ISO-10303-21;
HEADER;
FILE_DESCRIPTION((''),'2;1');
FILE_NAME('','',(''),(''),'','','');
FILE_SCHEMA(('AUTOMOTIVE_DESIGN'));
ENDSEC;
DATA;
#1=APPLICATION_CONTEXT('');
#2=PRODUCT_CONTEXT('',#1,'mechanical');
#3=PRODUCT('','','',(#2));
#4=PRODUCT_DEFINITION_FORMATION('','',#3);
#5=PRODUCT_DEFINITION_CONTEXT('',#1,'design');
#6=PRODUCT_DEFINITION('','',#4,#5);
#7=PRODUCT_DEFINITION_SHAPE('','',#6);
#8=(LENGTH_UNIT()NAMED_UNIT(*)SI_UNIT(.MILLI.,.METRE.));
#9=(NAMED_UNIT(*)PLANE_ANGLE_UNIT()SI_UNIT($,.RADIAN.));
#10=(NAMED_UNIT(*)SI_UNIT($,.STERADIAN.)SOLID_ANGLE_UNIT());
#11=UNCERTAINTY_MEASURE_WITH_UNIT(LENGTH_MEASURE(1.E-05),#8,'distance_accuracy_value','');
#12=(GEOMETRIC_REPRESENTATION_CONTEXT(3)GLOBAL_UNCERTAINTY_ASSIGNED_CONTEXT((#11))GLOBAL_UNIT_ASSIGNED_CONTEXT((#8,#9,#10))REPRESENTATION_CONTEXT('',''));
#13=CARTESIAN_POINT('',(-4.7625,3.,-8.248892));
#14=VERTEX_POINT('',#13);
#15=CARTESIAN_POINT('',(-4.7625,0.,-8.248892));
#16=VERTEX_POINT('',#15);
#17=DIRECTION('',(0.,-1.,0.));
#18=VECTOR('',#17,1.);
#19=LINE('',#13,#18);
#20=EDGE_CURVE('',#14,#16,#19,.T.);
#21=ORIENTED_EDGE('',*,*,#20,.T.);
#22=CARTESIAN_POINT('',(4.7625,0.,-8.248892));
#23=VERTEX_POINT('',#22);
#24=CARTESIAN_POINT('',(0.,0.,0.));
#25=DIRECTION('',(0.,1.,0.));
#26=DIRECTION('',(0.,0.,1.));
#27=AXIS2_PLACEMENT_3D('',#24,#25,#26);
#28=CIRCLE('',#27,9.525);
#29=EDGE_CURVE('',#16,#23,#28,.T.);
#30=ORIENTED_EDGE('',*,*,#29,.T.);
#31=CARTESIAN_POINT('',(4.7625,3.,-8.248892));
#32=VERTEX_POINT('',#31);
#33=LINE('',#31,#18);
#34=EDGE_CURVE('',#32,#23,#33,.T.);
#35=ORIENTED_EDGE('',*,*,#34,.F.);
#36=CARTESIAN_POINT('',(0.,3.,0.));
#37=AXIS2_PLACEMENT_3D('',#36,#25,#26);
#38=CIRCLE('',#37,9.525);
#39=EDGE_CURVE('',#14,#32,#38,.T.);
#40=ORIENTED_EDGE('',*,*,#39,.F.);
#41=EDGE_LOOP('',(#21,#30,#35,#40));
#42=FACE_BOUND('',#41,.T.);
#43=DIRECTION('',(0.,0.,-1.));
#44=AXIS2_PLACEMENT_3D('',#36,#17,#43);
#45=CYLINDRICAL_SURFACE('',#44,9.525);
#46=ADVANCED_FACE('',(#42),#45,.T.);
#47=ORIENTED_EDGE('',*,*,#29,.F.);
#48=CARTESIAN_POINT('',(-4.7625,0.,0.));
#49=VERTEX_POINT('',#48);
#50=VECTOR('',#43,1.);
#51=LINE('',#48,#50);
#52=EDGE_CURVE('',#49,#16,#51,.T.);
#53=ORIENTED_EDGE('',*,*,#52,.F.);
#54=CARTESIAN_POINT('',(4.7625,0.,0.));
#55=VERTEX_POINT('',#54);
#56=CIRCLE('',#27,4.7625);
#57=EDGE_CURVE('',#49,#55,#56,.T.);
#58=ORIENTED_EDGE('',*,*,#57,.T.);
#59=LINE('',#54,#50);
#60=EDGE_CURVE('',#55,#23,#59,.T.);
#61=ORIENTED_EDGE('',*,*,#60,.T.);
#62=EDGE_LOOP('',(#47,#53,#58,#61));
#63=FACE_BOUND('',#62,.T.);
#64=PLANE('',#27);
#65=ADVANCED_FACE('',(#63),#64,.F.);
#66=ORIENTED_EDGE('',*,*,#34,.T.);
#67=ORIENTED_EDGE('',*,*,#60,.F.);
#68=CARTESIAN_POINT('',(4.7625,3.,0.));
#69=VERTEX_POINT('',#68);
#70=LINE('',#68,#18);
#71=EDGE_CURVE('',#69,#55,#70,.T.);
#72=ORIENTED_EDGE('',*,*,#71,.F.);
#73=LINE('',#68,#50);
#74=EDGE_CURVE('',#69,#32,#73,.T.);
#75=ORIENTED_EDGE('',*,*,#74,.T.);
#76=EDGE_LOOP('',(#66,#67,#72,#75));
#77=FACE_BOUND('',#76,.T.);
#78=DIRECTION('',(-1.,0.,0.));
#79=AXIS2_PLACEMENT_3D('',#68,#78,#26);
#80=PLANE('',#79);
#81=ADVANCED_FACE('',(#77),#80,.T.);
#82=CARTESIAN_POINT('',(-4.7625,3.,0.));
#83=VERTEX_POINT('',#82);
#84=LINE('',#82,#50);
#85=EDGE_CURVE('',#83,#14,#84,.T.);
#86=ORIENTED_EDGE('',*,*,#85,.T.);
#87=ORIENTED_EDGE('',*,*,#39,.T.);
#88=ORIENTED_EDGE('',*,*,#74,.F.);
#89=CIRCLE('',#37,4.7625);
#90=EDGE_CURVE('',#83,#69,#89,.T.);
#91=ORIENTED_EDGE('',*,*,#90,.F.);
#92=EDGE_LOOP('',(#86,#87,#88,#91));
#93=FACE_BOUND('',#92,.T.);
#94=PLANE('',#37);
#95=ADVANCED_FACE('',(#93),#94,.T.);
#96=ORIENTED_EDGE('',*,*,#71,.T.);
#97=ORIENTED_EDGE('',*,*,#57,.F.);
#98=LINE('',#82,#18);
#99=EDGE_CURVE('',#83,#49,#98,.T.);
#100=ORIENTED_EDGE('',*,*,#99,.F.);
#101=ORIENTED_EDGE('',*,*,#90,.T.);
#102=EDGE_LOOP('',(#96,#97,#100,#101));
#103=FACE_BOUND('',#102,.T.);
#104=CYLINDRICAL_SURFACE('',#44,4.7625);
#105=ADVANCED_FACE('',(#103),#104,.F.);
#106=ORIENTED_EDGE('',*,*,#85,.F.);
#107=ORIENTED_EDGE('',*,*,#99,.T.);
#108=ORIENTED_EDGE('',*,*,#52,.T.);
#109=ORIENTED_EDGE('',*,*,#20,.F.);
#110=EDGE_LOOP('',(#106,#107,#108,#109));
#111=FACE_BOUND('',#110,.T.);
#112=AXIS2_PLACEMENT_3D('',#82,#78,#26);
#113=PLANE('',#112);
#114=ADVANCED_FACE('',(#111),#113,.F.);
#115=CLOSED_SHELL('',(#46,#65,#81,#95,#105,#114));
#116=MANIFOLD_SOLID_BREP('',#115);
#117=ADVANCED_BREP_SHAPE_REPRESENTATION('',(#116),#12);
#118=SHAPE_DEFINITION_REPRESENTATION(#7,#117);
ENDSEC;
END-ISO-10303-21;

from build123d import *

# Parameters (mm, degrees)
BOSS_EXTRUDE1_DEPTH = 3


with BuildPart() as part:
    # Sketch1 → Boss-Extrude1 (new body)
    with BuildSketch(Plane(origin=(0, 0, 0), x_dir=(1, 0, 0), z_dir=(0, 1, 0))):
        with BuildLine():
            ThreePointArc((4.7625, 0), (0, -4.7625), (-4.7625, 0))
            Line((-4.7625, 0), (-4.7625, 8.248891971))
            ThreePointArc((-4.7625, 8.248891971), (-4.7625, -8.248891971), (9.525, 0))
            ThreePointArc((9.525, 0), (8.248891971, 4.7625), (4.7625, 8.248891971))
            Line((4.7625, 8.248891971), (4.7625, 0))
        make_face()
    extrude(amount=BOSS_EXTRUDE1_DEPTH)


solid = part.part
